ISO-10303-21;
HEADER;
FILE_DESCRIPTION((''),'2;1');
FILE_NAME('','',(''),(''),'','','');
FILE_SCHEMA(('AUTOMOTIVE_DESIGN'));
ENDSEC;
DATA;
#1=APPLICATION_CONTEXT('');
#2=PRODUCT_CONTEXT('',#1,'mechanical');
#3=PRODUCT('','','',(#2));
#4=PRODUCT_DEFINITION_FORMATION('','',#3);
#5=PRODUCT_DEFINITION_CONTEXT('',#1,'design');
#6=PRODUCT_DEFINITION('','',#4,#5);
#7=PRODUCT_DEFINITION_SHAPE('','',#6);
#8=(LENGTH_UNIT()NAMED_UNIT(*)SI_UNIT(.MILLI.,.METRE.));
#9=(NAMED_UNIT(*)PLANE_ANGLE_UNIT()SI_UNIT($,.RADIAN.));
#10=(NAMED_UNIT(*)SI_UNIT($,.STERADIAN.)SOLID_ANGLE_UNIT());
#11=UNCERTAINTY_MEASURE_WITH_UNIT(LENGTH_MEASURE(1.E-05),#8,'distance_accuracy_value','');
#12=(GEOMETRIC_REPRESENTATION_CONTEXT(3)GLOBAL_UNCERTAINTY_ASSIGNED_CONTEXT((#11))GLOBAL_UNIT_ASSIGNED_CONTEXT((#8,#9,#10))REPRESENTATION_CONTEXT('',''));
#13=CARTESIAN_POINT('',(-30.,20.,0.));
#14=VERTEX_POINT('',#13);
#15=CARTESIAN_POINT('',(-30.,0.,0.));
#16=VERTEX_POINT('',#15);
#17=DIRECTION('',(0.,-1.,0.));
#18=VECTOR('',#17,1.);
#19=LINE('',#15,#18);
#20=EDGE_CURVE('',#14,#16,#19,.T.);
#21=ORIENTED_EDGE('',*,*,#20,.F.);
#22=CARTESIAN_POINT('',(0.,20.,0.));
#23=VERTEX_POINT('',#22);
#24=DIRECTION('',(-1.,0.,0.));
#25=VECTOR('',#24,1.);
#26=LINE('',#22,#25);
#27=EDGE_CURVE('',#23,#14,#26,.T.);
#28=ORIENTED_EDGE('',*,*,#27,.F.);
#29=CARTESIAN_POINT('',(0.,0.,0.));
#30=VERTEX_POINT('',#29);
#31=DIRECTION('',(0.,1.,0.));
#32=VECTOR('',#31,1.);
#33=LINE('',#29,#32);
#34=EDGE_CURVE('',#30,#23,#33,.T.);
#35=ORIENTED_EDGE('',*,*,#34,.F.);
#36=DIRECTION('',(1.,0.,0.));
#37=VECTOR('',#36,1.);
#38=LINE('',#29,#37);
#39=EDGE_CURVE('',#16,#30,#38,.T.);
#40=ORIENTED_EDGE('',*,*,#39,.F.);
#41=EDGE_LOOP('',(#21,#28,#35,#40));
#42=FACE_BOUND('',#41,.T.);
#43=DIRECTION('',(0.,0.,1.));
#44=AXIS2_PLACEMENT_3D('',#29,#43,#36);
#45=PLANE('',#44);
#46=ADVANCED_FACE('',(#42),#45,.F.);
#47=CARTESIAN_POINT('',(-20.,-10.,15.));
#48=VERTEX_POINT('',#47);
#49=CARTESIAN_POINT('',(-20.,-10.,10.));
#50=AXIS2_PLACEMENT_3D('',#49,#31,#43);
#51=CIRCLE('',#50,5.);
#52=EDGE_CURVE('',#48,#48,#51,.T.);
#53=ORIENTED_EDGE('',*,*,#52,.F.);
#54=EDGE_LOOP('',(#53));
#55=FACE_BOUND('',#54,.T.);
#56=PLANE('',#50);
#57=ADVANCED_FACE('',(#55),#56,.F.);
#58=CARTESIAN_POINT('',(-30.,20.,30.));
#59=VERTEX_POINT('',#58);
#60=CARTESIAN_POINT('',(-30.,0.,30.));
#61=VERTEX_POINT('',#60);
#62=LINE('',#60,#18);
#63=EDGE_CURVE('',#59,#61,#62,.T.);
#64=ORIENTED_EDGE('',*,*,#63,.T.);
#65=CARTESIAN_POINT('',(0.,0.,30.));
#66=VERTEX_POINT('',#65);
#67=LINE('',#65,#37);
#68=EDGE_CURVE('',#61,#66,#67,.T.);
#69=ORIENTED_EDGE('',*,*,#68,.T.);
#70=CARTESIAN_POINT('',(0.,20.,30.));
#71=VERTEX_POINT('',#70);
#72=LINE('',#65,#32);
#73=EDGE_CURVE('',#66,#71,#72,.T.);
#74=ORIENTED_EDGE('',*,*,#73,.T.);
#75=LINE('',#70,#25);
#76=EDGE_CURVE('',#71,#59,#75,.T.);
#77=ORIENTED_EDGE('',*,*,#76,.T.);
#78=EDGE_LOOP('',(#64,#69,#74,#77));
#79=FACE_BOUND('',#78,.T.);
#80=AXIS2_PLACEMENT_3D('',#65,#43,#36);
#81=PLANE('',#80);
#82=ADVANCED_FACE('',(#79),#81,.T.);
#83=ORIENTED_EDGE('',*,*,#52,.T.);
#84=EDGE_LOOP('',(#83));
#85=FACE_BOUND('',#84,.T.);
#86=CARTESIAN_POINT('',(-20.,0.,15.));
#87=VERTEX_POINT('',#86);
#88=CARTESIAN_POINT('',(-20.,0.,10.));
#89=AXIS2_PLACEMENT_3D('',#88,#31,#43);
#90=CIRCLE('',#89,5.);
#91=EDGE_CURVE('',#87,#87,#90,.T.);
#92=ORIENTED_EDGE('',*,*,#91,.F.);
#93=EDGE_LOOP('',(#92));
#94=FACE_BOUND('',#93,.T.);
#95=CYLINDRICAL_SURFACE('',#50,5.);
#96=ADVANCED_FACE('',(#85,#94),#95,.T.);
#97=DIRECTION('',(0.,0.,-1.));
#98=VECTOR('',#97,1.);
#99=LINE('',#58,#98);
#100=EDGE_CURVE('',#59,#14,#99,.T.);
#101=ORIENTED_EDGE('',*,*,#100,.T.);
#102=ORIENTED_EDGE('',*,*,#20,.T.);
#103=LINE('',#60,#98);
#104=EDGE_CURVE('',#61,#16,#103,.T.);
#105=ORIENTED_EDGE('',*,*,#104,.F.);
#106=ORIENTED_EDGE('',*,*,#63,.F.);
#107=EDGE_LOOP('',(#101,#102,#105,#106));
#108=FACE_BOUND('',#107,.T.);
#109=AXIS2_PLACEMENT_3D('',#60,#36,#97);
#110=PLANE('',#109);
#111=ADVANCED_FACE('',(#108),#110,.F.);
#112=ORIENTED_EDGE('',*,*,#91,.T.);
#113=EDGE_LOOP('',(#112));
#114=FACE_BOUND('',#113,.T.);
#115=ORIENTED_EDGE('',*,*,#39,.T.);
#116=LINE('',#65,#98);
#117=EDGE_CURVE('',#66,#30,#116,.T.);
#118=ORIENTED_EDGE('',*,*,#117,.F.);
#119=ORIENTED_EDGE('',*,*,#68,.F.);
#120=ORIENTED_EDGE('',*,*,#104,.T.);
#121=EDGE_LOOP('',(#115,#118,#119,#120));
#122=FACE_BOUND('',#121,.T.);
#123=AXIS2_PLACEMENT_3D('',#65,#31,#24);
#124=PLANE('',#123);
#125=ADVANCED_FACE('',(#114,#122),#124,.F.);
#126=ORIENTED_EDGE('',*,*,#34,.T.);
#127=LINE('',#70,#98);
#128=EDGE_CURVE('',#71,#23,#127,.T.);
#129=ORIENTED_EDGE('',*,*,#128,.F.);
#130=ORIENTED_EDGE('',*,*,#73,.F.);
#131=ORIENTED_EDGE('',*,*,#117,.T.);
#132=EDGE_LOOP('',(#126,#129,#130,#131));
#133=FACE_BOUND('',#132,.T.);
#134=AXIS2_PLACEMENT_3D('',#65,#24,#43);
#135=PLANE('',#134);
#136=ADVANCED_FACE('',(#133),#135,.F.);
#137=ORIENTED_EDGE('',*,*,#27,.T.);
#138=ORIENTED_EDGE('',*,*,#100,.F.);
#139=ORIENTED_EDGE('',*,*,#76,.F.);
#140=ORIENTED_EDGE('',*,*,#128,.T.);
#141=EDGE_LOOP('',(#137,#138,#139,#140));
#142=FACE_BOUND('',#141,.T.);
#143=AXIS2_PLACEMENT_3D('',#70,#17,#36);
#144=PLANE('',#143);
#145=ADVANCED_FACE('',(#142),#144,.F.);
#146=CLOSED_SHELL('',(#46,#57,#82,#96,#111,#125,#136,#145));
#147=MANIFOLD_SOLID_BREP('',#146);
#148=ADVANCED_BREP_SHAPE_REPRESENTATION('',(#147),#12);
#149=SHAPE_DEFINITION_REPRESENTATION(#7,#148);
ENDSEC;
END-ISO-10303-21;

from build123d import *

# Parameters (mm, degrees)
ESQUISSE1_W         = 30
ESQUISSE1_H         = 20
BOSS_EXTRU_1_DEPTH  = 30
SKETCH1_R           = 5
BOSS_EXTRUDE1_DEPTH = 10


with BuildPart() as part:
    # Esquisse1 → Boss.-Extru.1 (new body)
    with BuildSketch(Plane.XY):
        with Locations((-15, 10)):
            Rectangle(ESQUISSE1_W, ESQUISSE1_H)
    extrude(amount=BOSS_EXTRU_1_DEPTH)

    # Sketch1 → Boss-Extrude1 (add)
    with BuildSketch(Plane(origin=(0, 0, 0), x_dir=(1, 0, 0), z_dir=(0, 1, 0))):
        with Locations(Location((-20, -10, 0), (0, 0, 270))):
            Circle(SKETCH1_R)
    extrude(amount=-BOSS_EXTRUDE1_DEPTH)


solid = part.part
